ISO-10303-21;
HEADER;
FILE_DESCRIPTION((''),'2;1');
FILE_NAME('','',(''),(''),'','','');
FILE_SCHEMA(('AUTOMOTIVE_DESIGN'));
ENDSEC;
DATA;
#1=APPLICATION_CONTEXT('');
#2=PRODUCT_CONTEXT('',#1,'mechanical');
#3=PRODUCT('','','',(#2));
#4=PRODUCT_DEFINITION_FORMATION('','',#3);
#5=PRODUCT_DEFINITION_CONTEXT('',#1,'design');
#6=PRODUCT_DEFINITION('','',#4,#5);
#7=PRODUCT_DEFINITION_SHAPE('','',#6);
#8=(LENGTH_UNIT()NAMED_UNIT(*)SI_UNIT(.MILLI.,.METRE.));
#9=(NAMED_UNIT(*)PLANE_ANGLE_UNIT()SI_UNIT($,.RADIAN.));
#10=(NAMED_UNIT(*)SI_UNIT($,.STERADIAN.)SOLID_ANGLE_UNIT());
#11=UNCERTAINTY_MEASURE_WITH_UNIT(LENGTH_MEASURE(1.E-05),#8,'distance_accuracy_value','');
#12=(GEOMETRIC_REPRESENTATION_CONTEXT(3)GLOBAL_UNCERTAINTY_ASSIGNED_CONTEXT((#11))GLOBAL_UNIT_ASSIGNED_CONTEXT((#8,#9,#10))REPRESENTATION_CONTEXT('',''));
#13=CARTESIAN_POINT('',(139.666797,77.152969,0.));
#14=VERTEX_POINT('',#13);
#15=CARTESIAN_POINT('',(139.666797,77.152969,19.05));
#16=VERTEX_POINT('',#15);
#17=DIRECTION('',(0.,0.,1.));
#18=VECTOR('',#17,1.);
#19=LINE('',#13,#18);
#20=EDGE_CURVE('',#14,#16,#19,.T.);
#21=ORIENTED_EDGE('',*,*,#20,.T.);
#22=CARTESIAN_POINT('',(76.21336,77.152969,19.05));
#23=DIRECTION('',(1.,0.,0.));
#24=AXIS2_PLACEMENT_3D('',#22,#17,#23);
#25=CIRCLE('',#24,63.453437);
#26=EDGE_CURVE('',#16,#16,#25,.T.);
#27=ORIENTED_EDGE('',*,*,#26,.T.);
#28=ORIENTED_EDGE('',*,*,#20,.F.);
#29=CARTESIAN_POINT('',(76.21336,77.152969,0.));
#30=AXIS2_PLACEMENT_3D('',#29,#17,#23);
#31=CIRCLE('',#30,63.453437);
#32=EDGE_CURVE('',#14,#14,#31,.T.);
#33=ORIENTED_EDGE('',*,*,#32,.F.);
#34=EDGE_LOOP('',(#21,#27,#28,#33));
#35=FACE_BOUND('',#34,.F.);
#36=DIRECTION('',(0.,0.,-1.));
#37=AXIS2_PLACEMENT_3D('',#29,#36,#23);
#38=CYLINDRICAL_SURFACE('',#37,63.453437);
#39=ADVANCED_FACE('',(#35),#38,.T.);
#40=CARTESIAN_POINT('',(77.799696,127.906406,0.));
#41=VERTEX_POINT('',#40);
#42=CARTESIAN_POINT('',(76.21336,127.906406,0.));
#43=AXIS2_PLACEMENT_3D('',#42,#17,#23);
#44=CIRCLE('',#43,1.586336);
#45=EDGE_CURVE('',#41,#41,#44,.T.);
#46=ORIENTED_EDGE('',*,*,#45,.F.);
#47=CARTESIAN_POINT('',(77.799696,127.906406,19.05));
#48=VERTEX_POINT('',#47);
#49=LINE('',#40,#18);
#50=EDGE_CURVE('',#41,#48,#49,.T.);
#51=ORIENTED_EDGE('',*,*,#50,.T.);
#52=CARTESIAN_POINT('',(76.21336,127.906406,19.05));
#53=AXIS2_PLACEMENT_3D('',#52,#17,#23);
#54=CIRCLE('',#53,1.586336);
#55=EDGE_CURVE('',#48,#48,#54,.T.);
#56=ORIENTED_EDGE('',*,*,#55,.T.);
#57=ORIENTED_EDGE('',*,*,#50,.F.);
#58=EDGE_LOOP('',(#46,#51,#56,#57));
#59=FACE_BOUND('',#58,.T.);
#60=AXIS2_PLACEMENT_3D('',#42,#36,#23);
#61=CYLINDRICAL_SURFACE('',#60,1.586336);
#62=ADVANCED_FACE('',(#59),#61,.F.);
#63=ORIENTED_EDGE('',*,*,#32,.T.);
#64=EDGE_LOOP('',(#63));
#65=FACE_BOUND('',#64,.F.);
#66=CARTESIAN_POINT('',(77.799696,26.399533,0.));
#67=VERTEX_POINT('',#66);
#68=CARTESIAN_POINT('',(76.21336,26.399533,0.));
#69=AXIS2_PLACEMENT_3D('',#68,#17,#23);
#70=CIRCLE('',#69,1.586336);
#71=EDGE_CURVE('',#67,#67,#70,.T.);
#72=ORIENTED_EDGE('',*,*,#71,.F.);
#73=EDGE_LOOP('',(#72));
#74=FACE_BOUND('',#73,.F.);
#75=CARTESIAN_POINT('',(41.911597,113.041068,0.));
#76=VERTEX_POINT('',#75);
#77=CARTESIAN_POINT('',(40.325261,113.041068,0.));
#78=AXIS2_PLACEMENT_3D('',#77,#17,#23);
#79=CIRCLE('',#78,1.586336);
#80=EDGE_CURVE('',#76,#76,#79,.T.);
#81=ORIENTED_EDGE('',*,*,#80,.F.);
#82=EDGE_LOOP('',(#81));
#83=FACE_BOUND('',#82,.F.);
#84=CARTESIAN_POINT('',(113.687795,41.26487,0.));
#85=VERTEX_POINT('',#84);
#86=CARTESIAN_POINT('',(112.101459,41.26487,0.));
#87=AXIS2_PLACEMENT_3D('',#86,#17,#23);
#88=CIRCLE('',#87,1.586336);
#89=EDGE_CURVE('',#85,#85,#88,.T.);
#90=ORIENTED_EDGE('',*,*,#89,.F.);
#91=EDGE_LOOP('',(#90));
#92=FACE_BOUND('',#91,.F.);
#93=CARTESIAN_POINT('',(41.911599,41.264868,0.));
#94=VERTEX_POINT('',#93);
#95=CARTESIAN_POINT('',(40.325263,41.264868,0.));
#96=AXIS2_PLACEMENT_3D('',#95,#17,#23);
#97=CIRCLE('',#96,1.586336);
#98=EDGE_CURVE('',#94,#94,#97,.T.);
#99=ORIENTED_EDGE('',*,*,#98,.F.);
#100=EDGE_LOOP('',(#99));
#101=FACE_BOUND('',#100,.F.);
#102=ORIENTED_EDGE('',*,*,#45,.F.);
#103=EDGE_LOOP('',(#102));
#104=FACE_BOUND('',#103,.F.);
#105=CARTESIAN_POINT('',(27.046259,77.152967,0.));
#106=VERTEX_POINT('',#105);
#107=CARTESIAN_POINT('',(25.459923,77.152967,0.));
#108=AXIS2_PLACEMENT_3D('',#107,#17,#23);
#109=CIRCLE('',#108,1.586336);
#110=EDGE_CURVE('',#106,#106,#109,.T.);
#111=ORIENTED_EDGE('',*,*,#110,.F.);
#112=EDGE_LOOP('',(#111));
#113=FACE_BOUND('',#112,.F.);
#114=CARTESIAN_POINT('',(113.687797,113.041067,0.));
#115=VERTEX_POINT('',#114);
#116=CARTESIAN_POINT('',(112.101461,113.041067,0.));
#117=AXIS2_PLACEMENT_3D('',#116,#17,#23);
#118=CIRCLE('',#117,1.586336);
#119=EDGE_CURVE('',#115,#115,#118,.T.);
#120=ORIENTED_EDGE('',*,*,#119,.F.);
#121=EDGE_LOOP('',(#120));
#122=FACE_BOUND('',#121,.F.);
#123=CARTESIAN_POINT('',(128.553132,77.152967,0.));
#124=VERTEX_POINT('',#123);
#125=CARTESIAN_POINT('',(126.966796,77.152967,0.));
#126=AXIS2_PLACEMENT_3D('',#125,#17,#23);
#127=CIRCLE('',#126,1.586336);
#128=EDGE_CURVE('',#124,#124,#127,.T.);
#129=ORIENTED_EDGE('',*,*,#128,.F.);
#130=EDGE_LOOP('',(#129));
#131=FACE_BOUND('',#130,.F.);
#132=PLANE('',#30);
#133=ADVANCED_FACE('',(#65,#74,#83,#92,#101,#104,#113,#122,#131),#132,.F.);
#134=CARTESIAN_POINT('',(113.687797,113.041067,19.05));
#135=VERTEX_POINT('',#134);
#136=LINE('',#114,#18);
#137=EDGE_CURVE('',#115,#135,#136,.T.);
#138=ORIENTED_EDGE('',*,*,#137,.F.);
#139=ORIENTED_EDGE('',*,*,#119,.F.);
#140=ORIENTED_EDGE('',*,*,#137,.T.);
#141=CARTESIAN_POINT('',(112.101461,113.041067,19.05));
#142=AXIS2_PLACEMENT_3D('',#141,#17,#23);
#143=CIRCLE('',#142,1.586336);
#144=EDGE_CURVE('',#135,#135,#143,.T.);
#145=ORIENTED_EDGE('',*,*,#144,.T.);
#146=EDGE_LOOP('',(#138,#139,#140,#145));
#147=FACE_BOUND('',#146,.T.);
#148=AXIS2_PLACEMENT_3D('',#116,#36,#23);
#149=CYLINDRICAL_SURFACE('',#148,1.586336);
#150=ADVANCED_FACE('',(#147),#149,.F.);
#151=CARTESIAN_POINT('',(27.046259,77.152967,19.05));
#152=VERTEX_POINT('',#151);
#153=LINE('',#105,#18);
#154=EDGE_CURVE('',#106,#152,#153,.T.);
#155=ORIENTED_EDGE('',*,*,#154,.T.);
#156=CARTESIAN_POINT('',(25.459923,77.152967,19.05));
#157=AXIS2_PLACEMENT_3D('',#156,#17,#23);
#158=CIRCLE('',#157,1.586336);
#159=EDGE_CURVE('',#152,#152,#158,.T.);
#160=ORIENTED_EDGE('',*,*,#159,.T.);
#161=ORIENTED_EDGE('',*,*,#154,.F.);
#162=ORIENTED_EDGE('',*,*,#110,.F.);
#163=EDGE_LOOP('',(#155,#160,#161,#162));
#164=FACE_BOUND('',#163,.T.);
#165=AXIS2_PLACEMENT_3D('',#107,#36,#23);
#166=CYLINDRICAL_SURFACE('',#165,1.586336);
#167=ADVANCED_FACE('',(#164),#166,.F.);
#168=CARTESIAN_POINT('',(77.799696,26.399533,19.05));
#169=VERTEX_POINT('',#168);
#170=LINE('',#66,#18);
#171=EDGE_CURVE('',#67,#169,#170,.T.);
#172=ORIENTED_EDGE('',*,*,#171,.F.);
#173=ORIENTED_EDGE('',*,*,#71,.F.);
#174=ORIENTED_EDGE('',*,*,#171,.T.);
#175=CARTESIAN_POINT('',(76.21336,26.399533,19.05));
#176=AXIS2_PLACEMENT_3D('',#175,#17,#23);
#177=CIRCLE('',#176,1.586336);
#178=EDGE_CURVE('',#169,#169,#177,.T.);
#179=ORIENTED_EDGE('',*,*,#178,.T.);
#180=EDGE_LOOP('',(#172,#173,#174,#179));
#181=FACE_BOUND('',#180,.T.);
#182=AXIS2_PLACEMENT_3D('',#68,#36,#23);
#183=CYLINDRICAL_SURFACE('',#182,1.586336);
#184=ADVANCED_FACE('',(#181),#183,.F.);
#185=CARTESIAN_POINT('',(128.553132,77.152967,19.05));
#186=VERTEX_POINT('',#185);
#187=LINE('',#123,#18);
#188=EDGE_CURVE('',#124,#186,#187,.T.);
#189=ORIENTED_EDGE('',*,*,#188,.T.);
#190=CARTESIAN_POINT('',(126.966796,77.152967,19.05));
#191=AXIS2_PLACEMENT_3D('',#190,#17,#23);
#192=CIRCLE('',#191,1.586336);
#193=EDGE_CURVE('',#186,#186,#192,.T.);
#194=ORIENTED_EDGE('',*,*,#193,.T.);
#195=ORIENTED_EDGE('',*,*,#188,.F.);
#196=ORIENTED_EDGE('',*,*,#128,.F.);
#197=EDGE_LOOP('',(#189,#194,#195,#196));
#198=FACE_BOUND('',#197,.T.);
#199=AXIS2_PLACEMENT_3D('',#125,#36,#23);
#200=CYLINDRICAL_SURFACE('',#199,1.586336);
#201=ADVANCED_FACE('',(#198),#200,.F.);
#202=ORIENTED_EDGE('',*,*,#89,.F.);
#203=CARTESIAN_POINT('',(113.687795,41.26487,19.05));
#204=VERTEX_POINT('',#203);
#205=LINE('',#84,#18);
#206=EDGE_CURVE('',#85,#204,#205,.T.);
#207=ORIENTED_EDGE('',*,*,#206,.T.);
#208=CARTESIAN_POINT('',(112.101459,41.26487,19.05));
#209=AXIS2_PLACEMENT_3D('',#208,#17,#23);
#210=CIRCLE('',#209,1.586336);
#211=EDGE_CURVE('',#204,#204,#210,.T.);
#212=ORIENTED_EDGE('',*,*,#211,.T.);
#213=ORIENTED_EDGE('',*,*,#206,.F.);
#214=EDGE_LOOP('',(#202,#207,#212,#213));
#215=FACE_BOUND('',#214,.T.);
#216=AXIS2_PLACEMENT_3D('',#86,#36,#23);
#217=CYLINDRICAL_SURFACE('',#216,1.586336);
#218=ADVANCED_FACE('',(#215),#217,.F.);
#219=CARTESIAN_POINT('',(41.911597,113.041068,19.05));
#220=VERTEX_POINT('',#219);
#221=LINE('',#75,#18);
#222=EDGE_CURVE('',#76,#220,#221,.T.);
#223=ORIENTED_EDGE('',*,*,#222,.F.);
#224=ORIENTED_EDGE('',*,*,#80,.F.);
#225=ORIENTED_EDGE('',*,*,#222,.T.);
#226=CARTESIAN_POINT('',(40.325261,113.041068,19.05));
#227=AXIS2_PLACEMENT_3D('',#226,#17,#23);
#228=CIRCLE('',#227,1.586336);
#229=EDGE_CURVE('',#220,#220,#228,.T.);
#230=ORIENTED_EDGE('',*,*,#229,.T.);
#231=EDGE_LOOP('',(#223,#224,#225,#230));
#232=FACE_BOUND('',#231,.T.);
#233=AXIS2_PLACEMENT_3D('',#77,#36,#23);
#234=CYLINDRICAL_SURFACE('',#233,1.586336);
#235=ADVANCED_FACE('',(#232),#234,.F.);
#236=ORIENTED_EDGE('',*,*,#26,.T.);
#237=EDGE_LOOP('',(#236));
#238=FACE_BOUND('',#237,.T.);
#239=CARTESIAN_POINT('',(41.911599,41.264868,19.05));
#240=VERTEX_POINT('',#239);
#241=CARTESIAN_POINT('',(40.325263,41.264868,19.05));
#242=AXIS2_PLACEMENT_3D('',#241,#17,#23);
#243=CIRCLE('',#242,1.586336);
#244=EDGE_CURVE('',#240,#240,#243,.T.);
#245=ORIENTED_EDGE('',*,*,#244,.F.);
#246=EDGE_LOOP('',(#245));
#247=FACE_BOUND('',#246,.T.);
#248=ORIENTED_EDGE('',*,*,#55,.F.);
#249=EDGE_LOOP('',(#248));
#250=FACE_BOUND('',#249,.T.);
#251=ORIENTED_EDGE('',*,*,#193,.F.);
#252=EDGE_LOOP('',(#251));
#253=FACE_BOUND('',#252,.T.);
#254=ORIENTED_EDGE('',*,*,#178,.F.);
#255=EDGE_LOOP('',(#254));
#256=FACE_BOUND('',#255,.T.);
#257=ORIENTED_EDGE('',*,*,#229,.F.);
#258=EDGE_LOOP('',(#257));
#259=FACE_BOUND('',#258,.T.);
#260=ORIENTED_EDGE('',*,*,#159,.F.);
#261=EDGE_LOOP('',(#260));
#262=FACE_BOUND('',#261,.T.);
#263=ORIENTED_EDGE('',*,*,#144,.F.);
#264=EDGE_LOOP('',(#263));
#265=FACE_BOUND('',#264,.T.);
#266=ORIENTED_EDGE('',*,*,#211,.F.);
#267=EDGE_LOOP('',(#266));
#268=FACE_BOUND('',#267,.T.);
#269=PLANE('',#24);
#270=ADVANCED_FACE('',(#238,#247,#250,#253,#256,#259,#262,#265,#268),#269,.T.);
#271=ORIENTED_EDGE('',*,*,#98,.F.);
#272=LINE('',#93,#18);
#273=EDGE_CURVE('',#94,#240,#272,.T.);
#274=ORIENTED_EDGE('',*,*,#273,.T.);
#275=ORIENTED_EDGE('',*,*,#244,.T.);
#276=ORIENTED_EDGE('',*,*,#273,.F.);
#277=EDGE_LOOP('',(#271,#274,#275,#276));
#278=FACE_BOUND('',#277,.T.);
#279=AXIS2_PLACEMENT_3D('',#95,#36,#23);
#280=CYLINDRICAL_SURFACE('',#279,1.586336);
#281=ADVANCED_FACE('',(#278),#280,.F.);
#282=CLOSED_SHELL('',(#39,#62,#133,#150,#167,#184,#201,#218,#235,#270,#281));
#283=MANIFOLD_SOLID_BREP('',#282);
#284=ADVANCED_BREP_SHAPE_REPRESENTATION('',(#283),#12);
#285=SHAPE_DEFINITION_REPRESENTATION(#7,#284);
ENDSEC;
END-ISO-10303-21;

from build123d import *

# Parameters (mm, degrees)
F0_R     = 63.453437
F0_R_2   = 1.586336
F1_DEPTH = 19.05


with BuildPart() as f1:
    # F0 (on Top) → F1 (new body)
    with BuildSketch(Plane.XY):
        with Locations((76.21336, 77.152969)):
            Circle(F0_R)
        with Locations((40.325263, 41.264868)):
            Circle(F0_R_2, mode=Mode.SUBTRACT)
        with Locations((76.21336, 26.399533)):
            Circle(F0_R_2, mode=Mode.SUBTRACT)
        with Locations((25.459923, 77.152967)):
            Circle(F0_R_2, mode=Mode.SUBTRACT)
        with Locations((112.101459, 41.26487)):
            Circle(F0_R_2, mode=Mode.SUBTRACT)
        with Locations((126.966796, 77.152967)):
            Circle(F0_R_2, mode=Mode.SUBTRACT)
        with Locations((40.325261, 113.041068)):
            Circle(F0_R_2, mode=Mode.SUBTRACT)
        with Locations((76.21336, 127.906406)):
            Circle(F0_R_2, mode=Mode.SUBTRACT)
        with Locations((112.101461, 113.041067)):
            Circle(F0_R_2, mode=Mode.SUBTRACT)
    extrude(amount=F1_DEPTH)


solid = f1.part
